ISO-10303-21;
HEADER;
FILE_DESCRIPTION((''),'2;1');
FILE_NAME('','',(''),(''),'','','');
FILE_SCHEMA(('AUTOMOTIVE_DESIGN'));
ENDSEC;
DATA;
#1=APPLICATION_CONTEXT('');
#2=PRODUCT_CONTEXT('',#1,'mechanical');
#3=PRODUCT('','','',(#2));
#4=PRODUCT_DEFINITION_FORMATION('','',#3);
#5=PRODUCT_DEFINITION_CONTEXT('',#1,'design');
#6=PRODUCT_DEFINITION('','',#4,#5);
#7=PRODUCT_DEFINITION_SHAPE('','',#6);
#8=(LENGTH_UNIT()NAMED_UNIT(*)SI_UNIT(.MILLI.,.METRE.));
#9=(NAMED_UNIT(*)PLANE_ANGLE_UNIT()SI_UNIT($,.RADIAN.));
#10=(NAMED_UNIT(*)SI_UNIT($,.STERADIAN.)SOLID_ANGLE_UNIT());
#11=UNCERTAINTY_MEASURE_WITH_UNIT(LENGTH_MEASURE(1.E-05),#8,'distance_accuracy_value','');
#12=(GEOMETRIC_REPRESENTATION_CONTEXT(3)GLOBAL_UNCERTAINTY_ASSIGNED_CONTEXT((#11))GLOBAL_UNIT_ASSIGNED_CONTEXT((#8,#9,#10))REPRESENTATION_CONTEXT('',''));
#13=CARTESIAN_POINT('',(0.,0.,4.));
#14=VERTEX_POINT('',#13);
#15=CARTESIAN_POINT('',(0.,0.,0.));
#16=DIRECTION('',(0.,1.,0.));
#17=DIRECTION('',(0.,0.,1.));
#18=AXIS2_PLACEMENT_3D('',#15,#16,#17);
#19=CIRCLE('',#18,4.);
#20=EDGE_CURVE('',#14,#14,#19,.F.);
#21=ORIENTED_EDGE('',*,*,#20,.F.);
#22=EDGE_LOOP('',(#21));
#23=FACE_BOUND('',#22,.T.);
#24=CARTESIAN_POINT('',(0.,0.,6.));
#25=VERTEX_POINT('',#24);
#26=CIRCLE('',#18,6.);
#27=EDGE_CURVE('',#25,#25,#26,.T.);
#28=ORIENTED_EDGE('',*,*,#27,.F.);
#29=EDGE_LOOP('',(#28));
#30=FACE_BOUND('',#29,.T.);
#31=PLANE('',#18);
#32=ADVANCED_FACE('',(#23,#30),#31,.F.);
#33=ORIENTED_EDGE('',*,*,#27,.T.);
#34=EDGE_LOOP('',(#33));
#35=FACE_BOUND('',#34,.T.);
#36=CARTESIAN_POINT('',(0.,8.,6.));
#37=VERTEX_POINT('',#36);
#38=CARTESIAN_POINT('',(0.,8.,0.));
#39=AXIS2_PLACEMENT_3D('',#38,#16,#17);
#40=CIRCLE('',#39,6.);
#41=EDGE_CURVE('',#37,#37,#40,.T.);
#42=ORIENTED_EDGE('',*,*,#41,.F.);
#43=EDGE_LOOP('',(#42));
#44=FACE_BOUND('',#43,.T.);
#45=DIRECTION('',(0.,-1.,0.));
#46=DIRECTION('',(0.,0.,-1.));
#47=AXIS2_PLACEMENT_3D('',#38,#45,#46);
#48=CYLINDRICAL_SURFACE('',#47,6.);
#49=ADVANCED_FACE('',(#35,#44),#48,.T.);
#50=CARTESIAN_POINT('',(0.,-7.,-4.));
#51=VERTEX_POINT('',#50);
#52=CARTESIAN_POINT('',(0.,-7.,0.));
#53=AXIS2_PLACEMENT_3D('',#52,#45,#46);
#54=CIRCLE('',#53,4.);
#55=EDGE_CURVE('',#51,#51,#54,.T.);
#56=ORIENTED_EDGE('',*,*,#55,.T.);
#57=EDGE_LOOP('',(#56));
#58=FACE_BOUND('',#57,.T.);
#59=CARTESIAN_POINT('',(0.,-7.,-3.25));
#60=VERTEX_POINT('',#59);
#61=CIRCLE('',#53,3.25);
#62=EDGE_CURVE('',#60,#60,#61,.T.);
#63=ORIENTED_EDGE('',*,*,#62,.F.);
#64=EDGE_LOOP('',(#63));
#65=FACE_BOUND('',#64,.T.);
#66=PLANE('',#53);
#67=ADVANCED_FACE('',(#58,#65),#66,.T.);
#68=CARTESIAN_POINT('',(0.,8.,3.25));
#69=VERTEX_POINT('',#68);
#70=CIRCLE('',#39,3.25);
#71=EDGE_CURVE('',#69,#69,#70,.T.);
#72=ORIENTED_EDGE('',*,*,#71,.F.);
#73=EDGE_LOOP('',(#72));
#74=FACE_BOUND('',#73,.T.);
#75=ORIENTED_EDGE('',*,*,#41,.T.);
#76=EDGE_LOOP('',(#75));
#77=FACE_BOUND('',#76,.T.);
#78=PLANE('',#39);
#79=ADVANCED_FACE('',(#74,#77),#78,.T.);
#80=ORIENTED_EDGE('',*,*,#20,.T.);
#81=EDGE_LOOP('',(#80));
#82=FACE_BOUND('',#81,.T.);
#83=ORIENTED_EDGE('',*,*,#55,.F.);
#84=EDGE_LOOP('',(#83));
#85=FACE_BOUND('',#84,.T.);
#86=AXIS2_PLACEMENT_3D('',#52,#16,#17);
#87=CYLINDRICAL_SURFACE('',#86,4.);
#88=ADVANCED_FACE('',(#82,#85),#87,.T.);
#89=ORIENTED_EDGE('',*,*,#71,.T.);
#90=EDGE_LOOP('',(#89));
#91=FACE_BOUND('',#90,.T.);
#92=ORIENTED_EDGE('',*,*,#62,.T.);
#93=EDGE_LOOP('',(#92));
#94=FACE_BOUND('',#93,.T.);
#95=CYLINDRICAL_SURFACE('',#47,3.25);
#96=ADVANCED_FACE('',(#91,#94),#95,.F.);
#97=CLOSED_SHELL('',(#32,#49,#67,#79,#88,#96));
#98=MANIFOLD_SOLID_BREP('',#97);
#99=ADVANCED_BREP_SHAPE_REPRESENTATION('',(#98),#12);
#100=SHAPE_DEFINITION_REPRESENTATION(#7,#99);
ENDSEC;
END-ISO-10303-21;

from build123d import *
from build123d.topology import SkipClean

# Parameters (mm, degrees)
CROQUIS1_R              = 6
CROQUIS1_R_2            = 3.25
SALIENTE_EXTRUIR1_DEPTH = 8
SALIENTE_EXTRUIR2_START = 7
CROQUIS2_R              = 4
CROQUIS2_R_2            = 3.25
SALIENTE_EXTRUIR2_DEPTH = 7


with BuildPart() as part:
    # Croquis1 → Saliente-Extruir1 (new body)
    with BuildSketch(Plane(origin=(0, 0, 0), x_dir=(1, 0, 0), z_dir=(0, 1, 0))):
        with Locations(Location((0, 0, 0), (0, 0, 270))):
            Circle(CROQUIS1_R)
        with Locations(Location((0, 0, 0), (0, 0, 270))):
            Circle(CROQUIS1_R_2, mode=Mode.SUBTRACT)
    extrude(amount=SALIENTE_EXTRUIR1_DEPTH)

    # Croquis2 → Saliente-Extruir2 (add)
    with SkipClean():  # the faces are left unmerged after this step: merging them gives an invalid solid
        with BuildSketch(Plane.XZ.offset(SALIENTE_EXTRUIR2_START)):
            with Locations(Location((0, 0, 0), (0, 0, 90))):
                Circle(CROQUIS2_R)
            with Locations(Location((0, 0, 0), (0, 0, 270))):
                Circle(CROQUIS2_R_2, mode=Mode.SUBTRACT)
        extrude(amount=-SALIENTE_EXTRUIR2_DEPTH)


solid = part.part
